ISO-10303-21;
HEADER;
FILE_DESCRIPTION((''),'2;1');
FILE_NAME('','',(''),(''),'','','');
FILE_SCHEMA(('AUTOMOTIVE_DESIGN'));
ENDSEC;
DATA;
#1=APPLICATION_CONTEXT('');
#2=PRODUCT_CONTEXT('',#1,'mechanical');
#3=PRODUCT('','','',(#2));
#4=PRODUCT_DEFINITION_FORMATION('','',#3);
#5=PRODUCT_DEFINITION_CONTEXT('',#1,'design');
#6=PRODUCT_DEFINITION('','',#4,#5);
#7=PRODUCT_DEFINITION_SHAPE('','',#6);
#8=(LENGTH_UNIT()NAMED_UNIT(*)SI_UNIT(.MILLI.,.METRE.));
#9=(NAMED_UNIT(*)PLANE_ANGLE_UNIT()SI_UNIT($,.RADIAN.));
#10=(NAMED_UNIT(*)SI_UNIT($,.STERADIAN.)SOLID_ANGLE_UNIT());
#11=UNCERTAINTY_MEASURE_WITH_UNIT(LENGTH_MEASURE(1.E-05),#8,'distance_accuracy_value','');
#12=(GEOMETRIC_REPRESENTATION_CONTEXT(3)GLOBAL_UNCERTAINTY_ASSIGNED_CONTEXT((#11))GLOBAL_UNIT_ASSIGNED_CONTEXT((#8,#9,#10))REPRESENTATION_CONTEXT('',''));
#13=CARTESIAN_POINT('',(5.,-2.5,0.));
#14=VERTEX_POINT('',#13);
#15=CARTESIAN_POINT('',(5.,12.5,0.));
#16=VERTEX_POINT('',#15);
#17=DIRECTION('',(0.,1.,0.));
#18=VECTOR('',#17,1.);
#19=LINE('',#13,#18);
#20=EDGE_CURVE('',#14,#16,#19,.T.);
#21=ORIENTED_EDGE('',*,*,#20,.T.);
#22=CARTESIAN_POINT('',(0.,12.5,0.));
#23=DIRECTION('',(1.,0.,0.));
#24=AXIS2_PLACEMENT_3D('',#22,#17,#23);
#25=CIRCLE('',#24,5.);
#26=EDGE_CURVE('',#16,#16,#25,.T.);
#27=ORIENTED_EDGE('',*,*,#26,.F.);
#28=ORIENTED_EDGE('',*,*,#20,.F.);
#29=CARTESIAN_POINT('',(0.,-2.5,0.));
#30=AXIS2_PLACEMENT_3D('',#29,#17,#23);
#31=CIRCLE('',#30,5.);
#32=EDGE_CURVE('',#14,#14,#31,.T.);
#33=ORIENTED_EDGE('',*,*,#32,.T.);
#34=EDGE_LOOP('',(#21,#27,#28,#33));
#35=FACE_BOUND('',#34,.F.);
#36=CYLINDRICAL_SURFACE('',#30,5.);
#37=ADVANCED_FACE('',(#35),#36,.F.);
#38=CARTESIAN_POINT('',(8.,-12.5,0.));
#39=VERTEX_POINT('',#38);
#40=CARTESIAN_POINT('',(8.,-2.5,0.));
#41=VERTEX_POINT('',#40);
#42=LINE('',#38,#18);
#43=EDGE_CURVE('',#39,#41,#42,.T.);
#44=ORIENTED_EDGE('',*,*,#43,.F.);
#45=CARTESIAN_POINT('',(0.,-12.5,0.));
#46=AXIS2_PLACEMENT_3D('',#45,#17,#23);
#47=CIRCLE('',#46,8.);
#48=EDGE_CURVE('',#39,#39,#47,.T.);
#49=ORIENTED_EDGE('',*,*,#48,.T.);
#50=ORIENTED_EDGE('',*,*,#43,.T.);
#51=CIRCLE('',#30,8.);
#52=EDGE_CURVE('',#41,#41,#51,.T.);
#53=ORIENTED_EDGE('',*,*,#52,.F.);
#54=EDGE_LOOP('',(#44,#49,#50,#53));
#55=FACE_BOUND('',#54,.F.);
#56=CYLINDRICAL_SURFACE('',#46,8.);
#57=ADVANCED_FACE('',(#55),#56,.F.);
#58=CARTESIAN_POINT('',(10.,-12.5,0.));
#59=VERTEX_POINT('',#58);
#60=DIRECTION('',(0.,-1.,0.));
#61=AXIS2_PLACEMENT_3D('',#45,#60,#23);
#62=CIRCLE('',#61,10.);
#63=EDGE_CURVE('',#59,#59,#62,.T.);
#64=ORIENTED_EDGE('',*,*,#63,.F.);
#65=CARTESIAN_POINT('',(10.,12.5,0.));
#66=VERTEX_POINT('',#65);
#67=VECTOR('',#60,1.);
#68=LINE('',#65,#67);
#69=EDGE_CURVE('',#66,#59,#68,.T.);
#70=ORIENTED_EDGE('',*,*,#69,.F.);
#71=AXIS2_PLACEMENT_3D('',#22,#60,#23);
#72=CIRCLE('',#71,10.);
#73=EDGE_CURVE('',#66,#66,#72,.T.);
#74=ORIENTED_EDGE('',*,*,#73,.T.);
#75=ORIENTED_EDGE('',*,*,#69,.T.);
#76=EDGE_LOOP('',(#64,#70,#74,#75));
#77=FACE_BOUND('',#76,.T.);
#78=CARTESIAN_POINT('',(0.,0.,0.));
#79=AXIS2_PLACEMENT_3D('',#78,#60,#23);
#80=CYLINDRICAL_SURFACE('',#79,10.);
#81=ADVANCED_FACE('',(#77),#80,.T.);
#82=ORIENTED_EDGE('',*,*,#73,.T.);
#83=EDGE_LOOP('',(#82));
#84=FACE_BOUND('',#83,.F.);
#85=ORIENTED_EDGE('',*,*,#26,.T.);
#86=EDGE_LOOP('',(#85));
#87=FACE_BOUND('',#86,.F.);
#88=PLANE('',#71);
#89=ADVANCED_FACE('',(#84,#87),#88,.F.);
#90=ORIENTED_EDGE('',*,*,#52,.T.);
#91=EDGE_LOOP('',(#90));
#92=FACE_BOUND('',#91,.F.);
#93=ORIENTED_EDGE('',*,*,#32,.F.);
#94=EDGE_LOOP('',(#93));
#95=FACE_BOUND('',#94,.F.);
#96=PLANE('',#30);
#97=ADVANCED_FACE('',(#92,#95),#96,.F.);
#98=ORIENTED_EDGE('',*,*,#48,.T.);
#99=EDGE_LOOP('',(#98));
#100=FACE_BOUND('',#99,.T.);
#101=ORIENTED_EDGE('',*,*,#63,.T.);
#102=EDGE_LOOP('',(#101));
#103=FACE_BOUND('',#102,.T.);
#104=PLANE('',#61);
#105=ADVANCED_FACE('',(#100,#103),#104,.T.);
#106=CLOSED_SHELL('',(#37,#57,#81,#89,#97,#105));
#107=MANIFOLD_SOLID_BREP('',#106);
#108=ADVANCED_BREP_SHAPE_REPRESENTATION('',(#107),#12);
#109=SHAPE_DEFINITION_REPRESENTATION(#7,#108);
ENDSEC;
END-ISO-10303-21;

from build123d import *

# Parameters (mm, degrees)
F0_R     = 10
F1_DEPTH = 12.5


with BuildPart() as f1:
    # F0 (on Front) → F1 (new body, symmetric)
    with BuildSketch(Plane.XZ):
        Circle(F0_R)
    extrude(amount=F1_DEPTH, both=True)

    # F2 (on Top) → F3 (revolve, cut)
    with BuildSketch(Plane.XY):
        Polygon((5, 12.5), (0, 12.5), (0, -12.5), (8, -12.5), (8, -2.5), (5, -2.5), align=None)
    revolve(axis=Axis((0, 15.251015, 0), (0, 1, 0)), mode=Mode.SUBTRACT)


solid = f1.part
